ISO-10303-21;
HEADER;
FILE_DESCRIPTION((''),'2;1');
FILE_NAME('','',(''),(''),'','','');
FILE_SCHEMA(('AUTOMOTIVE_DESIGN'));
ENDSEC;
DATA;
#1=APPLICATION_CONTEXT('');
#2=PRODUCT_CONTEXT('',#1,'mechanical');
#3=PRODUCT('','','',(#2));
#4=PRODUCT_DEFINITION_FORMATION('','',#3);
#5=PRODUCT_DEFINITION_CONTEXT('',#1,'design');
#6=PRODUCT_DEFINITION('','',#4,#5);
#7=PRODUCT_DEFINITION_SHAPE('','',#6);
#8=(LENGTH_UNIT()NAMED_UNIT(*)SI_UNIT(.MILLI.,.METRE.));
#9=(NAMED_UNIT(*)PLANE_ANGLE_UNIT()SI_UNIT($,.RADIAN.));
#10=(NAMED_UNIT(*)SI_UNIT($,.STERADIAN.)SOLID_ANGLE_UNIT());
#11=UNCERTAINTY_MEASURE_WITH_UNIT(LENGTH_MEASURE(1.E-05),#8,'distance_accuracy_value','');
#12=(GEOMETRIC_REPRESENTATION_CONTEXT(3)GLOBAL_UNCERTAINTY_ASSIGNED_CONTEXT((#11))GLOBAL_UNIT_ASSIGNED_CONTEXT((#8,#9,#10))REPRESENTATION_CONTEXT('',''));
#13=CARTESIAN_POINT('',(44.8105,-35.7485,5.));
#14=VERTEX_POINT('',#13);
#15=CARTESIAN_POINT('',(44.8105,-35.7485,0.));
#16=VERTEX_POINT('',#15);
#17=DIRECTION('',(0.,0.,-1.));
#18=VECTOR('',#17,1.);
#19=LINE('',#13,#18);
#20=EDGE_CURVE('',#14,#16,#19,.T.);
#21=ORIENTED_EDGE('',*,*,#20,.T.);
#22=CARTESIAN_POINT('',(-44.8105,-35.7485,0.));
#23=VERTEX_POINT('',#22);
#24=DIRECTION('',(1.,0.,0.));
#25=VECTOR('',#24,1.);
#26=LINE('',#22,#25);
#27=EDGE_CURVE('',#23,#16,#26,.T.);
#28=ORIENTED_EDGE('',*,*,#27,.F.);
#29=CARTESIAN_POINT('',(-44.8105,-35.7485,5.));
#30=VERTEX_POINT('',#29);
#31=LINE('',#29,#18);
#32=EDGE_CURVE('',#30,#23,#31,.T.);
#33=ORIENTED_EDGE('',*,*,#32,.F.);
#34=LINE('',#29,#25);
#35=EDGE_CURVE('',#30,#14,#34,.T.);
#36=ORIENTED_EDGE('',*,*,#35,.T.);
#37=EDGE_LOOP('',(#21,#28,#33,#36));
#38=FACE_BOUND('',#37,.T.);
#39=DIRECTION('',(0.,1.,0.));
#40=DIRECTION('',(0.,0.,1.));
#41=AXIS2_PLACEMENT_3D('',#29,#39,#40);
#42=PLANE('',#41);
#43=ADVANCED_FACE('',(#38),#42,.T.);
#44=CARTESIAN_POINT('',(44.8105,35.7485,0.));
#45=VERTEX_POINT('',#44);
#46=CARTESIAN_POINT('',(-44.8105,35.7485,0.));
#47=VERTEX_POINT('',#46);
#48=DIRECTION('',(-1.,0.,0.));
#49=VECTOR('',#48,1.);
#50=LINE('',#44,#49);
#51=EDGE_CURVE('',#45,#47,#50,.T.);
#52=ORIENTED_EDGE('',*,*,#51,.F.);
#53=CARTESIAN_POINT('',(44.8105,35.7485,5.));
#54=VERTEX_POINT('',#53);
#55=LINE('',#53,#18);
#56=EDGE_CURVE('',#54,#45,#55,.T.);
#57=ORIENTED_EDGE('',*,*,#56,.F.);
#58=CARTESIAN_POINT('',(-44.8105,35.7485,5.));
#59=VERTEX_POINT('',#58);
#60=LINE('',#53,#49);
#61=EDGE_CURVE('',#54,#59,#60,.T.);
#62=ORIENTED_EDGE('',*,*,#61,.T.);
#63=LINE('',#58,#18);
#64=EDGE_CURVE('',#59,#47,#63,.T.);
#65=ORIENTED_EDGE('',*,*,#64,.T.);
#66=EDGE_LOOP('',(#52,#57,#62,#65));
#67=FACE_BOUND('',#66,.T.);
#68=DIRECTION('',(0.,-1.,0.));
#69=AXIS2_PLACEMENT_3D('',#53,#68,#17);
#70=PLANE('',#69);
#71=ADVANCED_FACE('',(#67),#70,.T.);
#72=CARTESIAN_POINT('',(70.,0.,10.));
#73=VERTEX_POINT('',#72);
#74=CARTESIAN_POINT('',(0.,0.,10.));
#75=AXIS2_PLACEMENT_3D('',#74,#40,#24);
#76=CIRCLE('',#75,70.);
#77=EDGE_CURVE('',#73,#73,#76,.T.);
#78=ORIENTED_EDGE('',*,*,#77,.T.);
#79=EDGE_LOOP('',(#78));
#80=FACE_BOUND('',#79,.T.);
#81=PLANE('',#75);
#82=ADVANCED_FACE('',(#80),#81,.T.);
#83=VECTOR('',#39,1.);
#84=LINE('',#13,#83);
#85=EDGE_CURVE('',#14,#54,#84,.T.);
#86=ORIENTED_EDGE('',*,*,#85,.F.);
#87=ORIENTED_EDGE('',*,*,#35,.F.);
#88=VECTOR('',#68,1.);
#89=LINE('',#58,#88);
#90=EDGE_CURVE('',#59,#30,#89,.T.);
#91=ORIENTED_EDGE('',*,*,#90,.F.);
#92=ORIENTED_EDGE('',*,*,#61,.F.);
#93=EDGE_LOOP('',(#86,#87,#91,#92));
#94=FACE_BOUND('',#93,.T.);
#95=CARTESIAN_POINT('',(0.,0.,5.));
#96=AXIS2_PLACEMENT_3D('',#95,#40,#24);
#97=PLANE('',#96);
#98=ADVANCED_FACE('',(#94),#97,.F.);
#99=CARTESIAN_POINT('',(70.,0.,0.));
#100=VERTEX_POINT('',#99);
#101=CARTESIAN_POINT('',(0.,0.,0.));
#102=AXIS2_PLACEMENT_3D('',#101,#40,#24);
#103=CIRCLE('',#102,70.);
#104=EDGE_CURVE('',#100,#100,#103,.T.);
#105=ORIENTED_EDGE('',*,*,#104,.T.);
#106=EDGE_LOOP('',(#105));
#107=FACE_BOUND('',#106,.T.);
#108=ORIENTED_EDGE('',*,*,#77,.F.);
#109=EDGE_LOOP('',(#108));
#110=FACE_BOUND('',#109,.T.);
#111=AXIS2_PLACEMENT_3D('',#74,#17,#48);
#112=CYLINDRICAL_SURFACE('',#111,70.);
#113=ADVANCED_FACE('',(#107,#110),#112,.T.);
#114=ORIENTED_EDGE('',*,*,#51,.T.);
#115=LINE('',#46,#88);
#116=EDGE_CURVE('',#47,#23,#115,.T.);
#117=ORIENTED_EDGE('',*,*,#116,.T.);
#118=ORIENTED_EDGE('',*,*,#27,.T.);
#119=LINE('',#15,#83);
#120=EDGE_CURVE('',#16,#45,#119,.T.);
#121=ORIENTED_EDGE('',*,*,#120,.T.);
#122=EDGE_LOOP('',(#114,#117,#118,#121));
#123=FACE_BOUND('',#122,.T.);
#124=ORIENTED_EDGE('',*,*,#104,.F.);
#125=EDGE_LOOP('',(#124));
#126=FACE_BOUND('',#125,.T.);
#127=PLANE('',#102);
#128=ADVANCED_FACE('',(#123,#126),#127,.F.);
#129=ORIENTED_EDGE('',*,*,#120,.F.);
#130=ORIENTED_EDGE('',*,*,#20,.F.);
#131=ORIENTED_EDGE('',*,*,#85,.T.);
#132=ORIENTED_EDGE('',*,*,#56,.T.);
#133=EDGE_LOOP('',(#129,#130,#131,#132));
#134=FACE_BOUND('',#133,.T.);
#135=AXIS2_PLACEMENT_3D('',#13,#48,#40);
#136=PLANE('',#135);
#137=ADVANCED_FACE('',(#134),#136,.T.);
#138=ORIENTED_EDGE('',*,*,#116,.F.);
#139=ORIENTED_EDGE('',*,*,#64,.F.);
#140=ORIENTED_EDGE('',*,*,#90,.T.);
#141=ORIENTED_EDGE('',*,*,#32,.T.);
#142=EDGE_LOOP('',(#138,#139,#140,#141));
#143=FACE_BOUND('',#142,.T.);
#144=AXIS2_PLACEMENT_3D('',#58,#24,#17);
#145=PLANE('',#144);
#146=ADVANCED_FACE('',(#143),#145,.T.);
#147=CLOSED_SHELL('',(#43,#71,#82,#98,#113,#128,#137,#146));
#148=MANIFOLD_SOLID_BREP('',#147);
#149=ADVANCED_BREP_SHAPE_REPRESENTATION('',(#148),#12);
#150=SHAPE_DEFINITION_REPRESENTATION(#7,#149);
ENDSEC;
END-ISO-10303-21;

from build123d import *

# Parameters (mm, degrees)
SKETCH2_R           = 70
BOSS_EXTRUDE1_DEPTH = 10
SKETCH1_W           = 89.621
SKETCH1_H           = 71.497
CUT_EXTRUDE1_DEPTH  = 5


with BuildPart() as part:
    # Sketch2 → Boss-Extrude1 (new body)
    with BuildSketch(Plane.XY):
        Circle(SKETCH2_R)
    extrude(amount=BOSS_EXTRUDE1_DEPTH)

    # Sketch1 → Cut-Extrude1 (cut)
    with BuildSketch(Plane.XY):
        Rectangle(SKETCH1_W, SKETCH1_H)
    extrude(amount=CUT_EXTRUDE1_DEPTH, mode=Mode.SUBTRACT)


solid = part.part
